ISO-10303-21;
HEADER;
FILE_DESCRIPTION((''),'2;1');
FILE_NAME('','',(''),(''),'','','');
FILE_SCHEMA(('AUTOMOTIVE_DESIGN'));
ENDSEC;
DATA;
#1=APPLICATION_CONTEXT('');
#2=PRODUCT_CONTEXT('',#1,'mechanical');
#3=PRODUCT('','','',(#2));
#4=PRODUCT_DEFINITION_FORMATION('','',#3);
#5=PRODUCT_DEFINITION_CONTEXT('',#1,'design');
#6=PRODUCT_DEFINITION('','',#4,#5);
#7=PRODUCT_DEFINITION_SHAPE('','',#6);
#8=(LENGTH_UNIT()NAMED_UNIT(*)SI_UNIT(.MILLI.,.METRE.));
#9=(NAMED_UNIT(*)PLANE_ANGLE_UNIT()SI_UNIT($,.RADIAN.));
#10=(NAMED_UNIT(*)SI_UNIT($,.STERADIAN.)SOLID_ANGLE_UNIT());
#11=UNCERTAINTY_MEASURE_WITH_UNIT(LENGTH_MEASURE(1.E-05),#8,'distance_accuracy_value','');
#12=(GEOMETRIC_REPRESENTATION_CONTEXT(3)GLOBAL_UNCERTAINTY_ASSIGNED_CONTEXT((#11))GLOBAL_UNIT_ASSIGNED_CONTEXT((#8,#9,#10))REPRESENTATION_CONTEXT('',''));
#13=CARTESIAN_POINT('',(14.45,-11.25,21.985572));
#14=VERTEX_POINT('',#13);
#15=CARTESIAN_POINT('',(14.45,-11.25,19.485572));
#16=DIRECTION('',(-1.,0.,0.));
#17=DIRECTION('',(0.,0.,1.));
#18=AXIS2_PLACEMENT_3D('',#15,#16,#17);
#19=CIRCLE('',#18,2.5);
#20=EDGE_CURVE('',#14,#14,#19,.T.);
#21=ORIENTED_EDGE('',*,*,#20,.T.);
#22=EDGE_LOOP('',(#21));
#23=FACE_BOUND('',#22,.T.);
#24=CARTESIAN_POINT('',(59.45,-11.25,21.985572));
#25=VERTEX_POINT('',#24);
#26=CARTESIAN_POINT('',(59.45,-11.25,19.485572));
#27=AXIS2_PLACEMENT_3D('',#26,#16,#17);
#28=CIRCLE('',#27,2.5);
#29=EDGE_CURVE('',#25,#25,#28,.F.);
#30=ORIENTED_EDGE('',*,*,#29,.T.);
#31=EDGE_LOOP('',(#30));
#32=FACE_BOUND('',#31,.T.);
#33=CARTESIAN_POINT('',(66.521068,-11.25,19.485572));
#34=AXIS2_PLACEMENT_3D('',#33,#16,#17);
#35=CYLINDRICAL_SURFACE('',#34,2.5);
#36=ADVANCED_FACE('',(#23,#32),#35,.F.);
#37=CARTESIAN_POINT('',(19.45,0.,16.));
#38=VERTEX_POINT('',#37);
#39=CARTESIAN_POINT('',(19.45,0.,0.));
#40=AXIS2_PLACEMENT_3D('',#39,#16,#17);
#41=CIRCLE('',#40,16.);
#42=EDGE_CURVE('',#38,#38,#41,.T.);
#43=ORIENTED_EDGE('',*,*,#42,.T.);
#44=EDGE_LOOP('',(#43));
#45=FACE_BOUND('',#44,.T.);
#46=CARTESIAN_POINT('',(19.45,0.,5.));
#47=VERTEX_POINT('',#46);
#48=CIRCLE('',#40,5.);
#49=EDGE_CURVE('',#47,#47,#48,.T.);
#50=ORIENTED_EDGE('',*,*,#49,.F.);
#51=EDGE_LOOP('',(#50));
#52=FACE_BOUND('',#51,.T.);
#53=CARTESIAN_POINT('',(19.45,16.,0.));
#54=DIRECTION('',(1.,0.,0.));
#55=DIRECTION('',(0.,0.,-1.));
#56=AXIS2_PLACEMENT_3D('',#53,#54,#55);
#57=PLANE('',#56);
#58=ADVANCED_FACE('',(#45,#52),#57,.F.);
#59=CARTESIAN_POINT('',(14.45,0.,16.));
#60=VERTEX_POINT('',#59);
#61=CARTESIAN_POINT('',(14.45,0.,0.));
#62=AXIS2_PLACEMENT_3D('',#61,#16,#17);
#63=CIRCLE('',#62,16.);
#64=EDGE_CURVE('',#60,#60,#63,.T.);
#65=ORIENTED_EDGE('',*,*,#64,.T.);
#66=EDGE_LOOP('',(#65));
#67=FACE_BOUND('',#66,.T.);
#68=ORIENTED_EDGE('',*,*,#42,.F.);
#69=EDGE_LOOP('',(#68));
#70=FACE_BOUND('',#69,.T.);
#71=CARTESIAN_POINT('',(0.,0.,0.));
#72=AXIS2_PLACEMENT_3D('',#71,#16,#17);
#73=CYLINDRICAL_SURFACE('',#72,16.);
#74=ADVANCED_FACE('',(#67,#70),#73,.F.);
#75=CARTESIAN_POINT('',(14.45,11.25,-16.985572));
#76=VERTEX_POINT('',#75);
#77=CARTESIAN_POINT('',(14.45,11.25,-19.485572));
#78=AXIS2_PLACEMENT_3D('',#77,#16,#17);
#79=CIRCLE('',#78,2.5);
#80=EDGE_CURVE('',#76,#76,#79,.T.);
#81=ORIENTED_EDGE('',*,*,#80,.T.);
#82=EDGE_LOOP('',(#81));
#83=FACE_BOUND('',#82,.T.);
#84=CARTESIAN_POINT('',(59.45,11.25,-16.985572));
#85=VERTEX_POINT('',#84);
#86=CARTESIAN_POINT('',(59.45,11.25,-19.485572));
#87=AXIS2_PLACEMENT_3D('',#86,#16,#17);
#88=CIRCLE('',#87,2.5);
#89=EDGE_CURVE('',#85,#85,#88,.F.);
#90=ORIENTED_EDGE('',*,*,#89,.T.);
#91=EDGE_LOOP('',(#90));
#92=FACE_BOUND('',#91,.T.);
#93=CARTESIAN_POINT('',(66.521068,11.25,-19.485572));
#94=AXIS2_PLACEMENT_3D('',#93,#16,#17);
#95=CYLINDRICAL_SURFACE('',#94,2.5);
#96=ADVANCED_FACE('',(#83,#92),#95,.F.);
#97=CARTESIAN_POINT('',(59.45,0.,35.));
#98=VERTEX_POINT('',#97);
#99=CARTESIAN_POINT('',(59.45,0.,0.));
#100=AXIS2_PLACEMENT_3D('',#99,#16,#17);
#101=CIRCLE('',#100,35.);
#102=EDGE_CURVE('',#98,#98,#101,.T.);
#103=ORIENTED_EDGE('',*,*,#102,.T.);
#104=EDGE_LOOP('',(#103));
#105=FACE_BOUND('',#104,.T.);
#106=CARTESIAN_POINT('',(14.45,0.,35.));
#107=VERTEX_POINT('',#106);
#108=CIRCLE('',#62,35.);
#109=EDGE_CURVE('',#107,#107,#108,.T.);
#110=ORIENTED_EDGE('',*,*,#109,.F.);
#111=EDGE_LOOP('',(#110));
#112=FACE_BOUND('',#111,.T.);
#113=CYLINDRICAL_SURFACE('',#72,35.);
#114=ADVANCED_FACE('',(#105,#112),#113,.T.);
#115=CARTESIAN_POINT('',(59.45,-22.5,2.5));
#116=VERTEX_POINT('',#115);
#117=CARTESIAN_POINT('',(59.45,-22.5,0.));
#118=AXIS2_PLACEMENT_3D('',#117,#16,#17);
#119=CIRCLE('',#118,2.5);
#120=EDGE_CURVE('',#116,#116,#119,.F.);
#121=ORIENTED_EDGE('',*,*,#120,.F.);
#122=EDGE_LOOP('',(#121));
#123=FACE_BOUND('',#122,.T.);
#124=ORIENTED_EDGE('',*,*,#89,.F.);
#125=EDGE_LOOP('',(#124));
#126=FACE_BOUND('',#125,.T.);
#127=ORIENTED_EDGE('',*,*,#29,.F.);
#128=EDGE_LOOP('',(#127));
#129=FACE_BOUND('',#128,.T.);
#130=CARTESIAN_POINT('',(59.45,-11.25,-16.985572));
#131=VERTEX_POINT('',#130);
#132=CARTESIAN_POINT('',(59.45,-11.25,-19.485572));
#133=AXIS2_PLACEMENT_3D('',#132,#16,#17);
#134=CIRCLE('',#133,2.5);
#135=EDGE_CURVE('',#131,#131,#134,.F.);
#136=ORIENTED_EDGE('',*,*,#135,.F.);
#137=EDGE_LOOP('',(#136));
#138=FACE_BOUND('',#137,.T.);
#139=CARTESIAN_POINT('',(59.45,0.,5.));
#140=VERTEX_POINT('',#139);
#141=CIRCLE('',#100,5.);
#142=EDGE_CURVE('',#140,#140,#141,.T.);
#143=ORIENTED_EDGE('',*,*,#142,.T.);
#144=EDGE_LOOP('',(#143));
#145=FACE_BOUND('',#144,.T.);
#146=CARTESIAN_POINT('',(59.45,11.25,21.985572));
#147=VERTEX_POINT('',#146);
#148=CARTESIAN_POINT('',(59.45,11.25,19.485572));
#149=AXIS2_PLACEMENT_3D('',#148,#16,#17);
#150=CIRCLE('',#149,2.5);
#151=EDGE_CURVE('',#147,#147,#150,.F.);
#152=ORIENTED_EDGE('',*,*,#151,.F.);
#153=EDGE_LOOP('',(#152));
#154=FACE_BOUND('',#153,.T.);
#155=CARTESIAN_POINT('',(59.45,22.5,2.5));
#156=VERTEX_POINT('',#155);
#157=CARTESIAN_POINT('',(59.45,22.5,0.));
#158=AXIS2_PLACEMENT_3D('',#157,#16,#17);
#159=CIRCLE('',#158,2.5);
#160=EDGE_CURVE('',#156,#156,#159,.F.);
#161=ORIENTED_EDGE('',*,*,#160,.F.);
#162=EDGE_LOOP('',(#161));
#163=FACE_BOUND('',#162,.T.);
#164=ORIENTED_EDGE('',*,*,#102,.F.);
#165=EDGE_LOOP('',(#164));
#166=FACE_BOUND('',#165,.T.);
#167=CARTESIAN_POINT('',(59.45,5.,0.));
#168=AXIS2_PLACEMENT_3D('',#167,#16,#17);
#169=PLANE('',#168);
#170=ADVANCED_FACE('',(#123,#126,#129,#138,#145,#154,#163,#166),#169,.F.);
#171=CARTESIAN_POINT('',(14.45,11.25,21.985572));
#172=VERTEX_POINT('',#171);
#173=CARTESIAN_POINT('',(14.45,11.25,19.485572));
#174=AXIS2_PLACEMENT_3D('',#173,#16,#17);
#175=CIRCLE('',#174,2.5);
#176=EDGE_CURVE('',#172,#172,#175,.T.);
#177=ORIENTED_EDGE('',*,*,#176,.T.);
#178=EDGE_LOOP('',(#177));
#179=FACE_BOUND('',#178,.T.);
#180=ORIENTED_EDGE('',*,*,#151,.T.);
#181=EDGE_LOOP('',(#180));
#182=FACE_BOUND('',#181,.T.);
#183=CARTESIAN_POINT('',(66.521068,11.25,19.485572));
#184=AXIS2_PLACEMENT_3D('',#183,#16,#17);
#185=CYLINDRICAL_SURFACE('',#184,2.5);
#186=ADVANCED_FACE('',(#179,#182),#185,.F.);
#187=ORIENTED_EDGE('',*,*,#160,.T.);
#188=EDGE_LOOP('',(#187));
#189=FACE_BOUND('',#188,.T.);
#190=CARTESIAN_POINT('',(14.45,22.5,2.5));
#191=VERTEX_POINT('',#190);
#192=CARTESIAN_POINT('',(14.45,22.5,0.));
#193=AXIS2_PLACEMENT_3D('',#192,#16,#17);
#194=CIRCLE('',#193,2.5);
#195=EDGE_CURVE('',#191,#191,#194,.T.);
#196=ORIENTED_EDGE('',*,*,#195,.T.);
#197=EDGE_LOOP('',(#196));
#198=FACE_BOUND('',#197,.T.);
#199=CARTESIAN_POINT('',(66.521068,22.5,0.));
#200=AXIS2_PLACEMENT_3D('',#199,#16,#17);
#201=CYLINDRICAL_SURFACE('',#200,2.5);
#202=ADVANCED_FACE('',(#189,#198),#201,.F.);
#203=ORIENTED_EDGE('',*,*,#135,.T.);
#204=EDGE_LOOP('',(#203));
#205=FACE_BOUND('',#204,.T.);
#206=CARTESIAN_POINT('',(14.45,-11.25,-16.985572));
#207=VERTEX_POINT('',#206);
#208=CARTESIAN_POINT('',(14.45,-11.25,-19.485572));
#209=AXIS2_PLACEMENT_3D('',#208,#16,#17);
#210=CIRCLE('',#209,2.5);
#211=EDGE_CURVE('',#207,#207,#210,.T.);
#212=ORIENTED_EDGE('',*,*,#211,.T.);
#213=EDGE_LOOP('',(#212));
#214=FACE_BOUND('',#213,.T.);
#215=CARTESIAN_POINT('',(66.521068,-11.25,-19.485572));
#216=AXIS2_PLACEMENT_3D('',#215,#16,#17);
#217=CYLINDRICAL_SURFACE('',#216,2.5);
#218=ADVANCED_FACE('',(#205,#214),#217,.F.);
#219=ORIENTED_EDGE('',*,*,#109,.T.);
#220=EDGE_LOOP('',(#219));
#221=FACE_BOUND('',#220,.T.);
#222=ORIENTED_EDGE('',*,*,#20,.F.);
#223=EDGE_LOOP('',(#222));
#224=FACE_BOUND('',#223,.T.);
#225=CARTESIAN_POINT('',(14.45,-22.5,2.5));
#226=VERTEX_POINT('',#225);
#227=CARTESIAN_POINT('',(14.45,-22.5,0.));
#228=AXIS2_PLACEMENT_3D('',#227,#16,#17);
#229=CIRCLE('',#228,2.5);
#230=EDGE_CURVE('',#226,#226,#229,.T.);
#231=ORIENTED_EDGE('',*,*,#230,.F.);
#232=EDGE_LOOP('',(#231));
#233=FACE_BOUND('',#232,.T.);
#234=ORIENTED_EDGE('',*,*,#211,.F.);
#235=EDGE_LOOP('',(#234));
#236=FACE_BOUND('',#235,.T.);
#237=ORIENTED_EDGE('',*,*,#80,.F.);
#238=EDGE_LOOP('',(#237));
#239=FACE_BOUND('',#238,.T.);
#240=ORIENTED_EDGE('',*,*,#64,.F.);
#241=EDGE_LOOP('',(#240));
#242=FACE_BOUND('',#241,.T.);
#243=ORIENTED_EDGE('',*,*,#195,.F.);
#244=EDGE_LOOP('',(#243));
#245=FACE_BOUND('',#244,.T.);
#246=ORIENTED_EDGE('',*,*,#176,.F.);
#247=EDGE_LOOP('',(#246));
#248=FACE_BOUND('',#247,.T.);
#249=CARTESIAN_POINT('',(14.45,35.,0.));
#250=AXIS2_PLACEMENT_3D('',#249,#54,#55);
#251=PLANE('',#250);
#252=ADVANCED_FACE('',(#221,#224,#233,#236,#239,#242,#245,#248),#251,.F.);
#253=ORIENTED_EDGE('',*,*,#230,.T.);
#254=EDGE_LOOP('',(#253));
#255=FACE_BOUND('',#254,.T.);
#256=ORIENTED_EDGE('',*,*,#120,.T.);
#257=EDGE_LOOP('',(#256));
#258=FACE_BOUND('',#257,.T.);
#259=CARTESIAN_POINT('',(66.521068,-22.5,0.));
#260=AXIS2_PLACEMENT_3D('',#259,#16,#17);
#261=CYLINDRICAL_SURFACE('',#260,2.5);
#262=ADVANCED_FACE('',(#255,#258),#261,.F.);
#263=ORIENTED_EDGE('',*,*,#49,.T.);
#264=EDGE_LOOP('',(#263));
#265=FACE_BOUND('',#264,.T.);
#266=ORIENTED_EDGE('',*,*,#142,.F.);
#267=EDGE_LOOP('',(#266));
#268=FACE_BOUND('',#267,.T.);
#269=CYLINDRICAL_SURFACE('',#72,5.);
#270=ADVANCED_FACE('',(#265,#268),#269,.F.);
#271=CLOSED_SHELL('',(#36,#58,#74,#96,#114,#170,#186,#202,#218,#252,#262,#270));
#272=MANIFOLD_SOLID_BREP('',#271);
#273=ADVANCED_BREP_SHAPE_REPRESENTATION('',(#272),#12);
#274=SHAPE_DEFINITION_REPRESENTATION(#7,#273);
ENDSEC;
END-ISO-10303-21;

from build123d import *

# Parameters (mm, degrees)
SKETCH2_R          = 2.5
CUT_EXTRUDE1_DEPTH = 45


with BuildPart() as part:
    # Sketch1 → Revolve1 (revolve)
    with BuildSketch(Plane.XY, mode=Mode.PRIVATE) as revolve1_sk:
        Polygon((14.45, 35), (14.45, 16), (19.45, 16), (19.45, 5), (59.45, 5), (59.45, 35), align=None)
    revolve(revolve1_sk.sketch.rotate(Axis((0, 0, 0), (1, 0, 0)), 90), axis=Axis((0, 0, 0), (1, 0, 0)))

    # Sketch2 → Cut-Extrude1 (cut)
    with BuildSketch(Plane.ZY.offset(-14.45)):
        with Locations((19.485571585, 11.25)):
            Circle(SKETCH2_R)
        with Locations((19.485571585, -11.25)):
            Circle(SKETCH2_R)
        with Locations((0, -22.5)):
            Circle(SKETCH2_R)
        with Locations((-19.485571585, -11.25)):
            Circle(SKETCH2_R)
        with Locations((-19.485571585, 11.25)):
            Circle(SKETCH2_R)
        with Locations((0, 22.5)):
            Circle(SKETCH2_R)
    extrude(amount=-CUT_EXTRUDE1_DEPTH, mode=Mode.SUBTRACT)


solid = part.part
